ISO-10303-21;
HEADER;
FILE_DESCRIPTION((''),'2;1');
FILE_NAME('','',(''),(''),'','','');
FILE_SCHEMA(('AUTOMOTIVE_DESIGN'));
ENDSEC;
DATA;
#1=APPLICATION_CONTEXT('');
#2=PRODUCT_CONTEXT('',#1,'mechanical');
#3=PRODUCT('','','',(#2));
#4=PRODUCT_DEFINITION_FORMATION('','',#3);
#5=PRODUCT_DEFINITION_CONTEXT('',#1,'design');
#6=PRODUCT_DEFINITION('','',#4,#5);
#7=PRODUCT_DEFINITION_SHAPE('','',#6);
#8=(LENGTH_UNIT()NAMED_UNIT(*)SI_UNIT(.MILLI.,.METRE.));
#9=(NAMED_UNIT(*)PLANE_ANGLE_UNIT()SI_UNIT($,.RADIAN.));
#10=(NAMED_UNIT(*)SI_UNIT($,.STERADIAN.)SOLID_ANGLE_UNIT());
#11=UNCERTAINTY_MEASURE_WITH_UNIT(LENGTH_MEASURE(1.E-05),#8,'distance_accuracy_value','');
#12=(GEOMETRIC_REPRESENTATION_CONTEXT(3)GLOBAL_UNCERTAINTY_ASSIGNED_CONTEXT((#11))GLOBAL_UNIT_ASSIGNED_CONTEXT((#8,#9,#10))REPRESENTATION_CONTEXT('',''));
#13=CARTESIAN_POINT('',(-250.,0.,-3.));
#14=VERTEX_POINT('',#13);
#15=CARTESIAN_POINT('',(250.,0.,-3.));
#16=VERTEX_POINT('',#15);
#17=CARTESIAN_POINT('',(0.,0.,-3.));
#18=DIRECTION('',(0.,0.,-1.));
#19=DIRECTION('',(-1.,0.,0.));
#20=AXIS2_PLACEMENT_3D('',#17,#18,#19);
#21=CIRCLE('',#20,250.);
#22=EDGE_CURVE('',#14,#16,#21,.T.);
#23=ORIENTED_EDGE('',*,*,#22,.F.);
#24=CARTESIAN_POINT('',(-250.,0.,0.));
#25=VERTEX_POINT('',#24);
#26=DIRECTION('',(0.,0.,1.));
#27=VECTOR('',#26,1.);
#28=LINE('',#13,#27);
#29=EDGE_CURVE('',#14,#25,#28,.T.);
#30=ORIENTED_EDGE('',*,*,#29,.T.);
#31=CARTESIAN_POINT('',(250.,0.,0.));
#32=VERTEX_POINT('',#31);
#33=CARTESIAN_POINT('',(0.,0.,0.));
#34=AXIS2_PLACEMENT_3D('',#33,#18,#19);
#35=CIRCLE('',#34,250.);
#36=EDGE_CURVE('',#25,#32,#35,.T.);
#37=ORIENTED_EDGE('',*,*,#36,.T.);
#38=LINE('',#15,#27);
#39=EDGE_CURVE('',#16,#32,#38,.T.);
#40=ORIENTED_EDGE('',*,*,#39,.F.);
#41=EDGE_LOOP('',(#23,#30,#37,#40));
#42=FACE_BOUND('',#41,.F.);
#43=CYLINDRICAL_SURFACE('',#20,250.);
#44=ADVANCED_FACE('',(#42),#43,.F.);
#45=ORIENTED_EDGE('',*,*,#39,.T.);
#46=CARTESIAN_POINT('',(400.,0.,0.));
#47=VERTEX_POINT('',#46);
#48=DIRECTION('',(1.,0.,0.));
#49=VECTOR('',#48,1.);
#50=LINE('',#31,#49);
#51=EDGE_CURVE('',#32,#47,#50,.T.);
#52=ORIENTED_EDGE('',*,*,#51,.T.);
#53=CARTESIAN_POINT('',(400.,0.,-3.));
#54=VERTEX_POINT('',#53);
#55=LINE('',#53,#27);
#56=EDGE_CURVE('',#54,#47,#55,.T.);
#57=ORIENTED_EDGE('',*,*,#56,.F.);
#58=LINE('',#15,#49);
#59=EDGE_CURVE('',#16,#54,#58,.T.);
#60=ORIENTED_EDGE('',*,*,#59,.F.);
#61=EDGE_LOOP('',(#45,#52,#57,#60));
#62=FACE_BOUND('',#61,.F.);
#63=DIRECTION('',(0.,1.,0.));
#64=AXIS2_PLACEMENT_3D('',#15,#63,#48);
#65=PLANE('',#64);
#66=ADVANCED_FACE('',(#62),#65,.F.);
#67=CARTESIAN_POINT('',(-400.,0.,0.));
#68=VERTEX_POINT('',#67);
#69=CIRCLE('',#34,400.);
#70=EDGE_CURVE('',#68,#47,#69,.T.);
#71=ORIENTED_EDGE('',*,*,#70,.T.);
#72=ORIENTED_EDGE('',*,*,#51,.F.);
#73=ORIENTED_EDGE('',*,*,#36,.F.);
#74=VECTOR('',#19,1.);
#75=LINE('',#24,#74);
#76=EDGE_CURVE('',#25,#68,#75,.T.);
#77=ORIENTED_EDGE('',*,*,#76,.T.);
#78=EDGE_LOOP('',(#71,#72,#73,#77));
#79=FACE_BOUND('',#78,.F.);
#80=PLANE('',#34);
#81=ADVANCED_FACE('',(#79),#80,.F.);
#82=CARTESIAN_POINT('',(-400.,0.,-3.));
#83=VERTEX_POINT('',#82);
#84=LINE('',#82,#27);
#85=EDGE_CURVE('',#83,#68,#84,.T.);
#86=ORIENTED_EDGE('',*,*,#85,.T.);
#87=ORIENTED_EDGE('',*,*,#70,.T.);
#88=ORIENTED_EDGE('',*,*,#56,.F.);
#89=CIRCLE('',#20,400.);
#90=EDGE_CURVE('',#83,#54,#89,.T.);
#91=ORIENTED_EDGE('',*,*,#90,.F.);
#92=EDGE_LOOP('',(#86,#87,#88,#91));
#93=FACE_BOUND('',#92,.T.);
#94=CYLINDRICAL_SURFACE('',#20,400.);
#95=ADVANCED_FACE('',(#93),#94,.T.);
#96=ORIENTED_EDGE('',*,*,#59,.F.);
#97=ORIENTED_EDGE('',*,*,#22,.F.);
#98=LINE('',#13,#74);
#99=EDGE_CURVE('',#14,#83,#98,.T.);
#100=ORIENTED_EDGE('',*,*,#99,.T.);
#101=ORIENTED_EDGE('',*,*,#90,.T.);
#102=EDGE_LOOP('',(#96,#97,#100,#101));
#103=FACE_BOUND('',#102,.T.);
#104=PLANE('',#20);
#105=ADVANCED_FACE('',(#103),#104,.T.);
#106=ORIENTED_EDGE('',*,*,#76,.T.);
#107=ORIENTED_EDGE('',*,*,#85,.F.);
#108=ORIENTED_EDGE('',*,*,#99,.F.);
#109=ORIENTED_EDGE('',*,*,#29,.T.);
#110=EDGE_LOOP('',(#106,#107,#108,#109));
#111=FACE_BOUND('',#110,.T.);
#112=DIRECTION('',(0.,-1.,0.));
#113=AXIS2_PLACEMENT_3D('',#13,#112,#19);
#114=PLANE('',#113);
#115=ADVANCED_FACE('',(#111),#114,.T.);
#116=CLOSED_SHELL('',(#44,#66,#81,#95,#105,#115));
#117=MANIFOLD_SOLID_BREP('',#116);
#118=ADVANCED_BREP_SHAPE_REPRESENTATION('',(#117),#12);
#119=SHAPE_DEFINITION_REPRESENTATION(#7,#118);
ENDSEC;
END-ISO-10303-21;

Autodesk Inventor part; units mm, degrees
ref_plane "YZ Plane" through (0, 0, 0) normal (1, 0, 0) x (0, 1, 0)
ref_plane "XZ Plane" through (0, 0, 0) normal (0, 1, 0) x (-1, 0, 0)
ref_plane "XY Plane" through (0, 0, 0) normal (0, 0, 1) x (1, 0, 0)
ref_plane "Work Plane1" through (0, 0, -3) normal (0, 0, -1) x (-1, 0, 0)
sketch "Sketch1" plane through (0, 0, -3) normal (0, 0, -1) x (-1, 0, 0)
  circle A0 centre (0, 0) radius 250 construction
  arc A1 (250, 0) -> (-250, 0) centre (0, 0) ccw
  arc A2 (400, 0) -> (-400, 0) centre (0, 0) ccw
  line L0 (250, 0) -> (400, 0)
  line L1 (-250, 0) -> (-400, 0)
  dimension "d0" = 150
extrude "Extrusion1" add sketch "Sketch1" against normal blind 3
properties part number "RingWhite"
